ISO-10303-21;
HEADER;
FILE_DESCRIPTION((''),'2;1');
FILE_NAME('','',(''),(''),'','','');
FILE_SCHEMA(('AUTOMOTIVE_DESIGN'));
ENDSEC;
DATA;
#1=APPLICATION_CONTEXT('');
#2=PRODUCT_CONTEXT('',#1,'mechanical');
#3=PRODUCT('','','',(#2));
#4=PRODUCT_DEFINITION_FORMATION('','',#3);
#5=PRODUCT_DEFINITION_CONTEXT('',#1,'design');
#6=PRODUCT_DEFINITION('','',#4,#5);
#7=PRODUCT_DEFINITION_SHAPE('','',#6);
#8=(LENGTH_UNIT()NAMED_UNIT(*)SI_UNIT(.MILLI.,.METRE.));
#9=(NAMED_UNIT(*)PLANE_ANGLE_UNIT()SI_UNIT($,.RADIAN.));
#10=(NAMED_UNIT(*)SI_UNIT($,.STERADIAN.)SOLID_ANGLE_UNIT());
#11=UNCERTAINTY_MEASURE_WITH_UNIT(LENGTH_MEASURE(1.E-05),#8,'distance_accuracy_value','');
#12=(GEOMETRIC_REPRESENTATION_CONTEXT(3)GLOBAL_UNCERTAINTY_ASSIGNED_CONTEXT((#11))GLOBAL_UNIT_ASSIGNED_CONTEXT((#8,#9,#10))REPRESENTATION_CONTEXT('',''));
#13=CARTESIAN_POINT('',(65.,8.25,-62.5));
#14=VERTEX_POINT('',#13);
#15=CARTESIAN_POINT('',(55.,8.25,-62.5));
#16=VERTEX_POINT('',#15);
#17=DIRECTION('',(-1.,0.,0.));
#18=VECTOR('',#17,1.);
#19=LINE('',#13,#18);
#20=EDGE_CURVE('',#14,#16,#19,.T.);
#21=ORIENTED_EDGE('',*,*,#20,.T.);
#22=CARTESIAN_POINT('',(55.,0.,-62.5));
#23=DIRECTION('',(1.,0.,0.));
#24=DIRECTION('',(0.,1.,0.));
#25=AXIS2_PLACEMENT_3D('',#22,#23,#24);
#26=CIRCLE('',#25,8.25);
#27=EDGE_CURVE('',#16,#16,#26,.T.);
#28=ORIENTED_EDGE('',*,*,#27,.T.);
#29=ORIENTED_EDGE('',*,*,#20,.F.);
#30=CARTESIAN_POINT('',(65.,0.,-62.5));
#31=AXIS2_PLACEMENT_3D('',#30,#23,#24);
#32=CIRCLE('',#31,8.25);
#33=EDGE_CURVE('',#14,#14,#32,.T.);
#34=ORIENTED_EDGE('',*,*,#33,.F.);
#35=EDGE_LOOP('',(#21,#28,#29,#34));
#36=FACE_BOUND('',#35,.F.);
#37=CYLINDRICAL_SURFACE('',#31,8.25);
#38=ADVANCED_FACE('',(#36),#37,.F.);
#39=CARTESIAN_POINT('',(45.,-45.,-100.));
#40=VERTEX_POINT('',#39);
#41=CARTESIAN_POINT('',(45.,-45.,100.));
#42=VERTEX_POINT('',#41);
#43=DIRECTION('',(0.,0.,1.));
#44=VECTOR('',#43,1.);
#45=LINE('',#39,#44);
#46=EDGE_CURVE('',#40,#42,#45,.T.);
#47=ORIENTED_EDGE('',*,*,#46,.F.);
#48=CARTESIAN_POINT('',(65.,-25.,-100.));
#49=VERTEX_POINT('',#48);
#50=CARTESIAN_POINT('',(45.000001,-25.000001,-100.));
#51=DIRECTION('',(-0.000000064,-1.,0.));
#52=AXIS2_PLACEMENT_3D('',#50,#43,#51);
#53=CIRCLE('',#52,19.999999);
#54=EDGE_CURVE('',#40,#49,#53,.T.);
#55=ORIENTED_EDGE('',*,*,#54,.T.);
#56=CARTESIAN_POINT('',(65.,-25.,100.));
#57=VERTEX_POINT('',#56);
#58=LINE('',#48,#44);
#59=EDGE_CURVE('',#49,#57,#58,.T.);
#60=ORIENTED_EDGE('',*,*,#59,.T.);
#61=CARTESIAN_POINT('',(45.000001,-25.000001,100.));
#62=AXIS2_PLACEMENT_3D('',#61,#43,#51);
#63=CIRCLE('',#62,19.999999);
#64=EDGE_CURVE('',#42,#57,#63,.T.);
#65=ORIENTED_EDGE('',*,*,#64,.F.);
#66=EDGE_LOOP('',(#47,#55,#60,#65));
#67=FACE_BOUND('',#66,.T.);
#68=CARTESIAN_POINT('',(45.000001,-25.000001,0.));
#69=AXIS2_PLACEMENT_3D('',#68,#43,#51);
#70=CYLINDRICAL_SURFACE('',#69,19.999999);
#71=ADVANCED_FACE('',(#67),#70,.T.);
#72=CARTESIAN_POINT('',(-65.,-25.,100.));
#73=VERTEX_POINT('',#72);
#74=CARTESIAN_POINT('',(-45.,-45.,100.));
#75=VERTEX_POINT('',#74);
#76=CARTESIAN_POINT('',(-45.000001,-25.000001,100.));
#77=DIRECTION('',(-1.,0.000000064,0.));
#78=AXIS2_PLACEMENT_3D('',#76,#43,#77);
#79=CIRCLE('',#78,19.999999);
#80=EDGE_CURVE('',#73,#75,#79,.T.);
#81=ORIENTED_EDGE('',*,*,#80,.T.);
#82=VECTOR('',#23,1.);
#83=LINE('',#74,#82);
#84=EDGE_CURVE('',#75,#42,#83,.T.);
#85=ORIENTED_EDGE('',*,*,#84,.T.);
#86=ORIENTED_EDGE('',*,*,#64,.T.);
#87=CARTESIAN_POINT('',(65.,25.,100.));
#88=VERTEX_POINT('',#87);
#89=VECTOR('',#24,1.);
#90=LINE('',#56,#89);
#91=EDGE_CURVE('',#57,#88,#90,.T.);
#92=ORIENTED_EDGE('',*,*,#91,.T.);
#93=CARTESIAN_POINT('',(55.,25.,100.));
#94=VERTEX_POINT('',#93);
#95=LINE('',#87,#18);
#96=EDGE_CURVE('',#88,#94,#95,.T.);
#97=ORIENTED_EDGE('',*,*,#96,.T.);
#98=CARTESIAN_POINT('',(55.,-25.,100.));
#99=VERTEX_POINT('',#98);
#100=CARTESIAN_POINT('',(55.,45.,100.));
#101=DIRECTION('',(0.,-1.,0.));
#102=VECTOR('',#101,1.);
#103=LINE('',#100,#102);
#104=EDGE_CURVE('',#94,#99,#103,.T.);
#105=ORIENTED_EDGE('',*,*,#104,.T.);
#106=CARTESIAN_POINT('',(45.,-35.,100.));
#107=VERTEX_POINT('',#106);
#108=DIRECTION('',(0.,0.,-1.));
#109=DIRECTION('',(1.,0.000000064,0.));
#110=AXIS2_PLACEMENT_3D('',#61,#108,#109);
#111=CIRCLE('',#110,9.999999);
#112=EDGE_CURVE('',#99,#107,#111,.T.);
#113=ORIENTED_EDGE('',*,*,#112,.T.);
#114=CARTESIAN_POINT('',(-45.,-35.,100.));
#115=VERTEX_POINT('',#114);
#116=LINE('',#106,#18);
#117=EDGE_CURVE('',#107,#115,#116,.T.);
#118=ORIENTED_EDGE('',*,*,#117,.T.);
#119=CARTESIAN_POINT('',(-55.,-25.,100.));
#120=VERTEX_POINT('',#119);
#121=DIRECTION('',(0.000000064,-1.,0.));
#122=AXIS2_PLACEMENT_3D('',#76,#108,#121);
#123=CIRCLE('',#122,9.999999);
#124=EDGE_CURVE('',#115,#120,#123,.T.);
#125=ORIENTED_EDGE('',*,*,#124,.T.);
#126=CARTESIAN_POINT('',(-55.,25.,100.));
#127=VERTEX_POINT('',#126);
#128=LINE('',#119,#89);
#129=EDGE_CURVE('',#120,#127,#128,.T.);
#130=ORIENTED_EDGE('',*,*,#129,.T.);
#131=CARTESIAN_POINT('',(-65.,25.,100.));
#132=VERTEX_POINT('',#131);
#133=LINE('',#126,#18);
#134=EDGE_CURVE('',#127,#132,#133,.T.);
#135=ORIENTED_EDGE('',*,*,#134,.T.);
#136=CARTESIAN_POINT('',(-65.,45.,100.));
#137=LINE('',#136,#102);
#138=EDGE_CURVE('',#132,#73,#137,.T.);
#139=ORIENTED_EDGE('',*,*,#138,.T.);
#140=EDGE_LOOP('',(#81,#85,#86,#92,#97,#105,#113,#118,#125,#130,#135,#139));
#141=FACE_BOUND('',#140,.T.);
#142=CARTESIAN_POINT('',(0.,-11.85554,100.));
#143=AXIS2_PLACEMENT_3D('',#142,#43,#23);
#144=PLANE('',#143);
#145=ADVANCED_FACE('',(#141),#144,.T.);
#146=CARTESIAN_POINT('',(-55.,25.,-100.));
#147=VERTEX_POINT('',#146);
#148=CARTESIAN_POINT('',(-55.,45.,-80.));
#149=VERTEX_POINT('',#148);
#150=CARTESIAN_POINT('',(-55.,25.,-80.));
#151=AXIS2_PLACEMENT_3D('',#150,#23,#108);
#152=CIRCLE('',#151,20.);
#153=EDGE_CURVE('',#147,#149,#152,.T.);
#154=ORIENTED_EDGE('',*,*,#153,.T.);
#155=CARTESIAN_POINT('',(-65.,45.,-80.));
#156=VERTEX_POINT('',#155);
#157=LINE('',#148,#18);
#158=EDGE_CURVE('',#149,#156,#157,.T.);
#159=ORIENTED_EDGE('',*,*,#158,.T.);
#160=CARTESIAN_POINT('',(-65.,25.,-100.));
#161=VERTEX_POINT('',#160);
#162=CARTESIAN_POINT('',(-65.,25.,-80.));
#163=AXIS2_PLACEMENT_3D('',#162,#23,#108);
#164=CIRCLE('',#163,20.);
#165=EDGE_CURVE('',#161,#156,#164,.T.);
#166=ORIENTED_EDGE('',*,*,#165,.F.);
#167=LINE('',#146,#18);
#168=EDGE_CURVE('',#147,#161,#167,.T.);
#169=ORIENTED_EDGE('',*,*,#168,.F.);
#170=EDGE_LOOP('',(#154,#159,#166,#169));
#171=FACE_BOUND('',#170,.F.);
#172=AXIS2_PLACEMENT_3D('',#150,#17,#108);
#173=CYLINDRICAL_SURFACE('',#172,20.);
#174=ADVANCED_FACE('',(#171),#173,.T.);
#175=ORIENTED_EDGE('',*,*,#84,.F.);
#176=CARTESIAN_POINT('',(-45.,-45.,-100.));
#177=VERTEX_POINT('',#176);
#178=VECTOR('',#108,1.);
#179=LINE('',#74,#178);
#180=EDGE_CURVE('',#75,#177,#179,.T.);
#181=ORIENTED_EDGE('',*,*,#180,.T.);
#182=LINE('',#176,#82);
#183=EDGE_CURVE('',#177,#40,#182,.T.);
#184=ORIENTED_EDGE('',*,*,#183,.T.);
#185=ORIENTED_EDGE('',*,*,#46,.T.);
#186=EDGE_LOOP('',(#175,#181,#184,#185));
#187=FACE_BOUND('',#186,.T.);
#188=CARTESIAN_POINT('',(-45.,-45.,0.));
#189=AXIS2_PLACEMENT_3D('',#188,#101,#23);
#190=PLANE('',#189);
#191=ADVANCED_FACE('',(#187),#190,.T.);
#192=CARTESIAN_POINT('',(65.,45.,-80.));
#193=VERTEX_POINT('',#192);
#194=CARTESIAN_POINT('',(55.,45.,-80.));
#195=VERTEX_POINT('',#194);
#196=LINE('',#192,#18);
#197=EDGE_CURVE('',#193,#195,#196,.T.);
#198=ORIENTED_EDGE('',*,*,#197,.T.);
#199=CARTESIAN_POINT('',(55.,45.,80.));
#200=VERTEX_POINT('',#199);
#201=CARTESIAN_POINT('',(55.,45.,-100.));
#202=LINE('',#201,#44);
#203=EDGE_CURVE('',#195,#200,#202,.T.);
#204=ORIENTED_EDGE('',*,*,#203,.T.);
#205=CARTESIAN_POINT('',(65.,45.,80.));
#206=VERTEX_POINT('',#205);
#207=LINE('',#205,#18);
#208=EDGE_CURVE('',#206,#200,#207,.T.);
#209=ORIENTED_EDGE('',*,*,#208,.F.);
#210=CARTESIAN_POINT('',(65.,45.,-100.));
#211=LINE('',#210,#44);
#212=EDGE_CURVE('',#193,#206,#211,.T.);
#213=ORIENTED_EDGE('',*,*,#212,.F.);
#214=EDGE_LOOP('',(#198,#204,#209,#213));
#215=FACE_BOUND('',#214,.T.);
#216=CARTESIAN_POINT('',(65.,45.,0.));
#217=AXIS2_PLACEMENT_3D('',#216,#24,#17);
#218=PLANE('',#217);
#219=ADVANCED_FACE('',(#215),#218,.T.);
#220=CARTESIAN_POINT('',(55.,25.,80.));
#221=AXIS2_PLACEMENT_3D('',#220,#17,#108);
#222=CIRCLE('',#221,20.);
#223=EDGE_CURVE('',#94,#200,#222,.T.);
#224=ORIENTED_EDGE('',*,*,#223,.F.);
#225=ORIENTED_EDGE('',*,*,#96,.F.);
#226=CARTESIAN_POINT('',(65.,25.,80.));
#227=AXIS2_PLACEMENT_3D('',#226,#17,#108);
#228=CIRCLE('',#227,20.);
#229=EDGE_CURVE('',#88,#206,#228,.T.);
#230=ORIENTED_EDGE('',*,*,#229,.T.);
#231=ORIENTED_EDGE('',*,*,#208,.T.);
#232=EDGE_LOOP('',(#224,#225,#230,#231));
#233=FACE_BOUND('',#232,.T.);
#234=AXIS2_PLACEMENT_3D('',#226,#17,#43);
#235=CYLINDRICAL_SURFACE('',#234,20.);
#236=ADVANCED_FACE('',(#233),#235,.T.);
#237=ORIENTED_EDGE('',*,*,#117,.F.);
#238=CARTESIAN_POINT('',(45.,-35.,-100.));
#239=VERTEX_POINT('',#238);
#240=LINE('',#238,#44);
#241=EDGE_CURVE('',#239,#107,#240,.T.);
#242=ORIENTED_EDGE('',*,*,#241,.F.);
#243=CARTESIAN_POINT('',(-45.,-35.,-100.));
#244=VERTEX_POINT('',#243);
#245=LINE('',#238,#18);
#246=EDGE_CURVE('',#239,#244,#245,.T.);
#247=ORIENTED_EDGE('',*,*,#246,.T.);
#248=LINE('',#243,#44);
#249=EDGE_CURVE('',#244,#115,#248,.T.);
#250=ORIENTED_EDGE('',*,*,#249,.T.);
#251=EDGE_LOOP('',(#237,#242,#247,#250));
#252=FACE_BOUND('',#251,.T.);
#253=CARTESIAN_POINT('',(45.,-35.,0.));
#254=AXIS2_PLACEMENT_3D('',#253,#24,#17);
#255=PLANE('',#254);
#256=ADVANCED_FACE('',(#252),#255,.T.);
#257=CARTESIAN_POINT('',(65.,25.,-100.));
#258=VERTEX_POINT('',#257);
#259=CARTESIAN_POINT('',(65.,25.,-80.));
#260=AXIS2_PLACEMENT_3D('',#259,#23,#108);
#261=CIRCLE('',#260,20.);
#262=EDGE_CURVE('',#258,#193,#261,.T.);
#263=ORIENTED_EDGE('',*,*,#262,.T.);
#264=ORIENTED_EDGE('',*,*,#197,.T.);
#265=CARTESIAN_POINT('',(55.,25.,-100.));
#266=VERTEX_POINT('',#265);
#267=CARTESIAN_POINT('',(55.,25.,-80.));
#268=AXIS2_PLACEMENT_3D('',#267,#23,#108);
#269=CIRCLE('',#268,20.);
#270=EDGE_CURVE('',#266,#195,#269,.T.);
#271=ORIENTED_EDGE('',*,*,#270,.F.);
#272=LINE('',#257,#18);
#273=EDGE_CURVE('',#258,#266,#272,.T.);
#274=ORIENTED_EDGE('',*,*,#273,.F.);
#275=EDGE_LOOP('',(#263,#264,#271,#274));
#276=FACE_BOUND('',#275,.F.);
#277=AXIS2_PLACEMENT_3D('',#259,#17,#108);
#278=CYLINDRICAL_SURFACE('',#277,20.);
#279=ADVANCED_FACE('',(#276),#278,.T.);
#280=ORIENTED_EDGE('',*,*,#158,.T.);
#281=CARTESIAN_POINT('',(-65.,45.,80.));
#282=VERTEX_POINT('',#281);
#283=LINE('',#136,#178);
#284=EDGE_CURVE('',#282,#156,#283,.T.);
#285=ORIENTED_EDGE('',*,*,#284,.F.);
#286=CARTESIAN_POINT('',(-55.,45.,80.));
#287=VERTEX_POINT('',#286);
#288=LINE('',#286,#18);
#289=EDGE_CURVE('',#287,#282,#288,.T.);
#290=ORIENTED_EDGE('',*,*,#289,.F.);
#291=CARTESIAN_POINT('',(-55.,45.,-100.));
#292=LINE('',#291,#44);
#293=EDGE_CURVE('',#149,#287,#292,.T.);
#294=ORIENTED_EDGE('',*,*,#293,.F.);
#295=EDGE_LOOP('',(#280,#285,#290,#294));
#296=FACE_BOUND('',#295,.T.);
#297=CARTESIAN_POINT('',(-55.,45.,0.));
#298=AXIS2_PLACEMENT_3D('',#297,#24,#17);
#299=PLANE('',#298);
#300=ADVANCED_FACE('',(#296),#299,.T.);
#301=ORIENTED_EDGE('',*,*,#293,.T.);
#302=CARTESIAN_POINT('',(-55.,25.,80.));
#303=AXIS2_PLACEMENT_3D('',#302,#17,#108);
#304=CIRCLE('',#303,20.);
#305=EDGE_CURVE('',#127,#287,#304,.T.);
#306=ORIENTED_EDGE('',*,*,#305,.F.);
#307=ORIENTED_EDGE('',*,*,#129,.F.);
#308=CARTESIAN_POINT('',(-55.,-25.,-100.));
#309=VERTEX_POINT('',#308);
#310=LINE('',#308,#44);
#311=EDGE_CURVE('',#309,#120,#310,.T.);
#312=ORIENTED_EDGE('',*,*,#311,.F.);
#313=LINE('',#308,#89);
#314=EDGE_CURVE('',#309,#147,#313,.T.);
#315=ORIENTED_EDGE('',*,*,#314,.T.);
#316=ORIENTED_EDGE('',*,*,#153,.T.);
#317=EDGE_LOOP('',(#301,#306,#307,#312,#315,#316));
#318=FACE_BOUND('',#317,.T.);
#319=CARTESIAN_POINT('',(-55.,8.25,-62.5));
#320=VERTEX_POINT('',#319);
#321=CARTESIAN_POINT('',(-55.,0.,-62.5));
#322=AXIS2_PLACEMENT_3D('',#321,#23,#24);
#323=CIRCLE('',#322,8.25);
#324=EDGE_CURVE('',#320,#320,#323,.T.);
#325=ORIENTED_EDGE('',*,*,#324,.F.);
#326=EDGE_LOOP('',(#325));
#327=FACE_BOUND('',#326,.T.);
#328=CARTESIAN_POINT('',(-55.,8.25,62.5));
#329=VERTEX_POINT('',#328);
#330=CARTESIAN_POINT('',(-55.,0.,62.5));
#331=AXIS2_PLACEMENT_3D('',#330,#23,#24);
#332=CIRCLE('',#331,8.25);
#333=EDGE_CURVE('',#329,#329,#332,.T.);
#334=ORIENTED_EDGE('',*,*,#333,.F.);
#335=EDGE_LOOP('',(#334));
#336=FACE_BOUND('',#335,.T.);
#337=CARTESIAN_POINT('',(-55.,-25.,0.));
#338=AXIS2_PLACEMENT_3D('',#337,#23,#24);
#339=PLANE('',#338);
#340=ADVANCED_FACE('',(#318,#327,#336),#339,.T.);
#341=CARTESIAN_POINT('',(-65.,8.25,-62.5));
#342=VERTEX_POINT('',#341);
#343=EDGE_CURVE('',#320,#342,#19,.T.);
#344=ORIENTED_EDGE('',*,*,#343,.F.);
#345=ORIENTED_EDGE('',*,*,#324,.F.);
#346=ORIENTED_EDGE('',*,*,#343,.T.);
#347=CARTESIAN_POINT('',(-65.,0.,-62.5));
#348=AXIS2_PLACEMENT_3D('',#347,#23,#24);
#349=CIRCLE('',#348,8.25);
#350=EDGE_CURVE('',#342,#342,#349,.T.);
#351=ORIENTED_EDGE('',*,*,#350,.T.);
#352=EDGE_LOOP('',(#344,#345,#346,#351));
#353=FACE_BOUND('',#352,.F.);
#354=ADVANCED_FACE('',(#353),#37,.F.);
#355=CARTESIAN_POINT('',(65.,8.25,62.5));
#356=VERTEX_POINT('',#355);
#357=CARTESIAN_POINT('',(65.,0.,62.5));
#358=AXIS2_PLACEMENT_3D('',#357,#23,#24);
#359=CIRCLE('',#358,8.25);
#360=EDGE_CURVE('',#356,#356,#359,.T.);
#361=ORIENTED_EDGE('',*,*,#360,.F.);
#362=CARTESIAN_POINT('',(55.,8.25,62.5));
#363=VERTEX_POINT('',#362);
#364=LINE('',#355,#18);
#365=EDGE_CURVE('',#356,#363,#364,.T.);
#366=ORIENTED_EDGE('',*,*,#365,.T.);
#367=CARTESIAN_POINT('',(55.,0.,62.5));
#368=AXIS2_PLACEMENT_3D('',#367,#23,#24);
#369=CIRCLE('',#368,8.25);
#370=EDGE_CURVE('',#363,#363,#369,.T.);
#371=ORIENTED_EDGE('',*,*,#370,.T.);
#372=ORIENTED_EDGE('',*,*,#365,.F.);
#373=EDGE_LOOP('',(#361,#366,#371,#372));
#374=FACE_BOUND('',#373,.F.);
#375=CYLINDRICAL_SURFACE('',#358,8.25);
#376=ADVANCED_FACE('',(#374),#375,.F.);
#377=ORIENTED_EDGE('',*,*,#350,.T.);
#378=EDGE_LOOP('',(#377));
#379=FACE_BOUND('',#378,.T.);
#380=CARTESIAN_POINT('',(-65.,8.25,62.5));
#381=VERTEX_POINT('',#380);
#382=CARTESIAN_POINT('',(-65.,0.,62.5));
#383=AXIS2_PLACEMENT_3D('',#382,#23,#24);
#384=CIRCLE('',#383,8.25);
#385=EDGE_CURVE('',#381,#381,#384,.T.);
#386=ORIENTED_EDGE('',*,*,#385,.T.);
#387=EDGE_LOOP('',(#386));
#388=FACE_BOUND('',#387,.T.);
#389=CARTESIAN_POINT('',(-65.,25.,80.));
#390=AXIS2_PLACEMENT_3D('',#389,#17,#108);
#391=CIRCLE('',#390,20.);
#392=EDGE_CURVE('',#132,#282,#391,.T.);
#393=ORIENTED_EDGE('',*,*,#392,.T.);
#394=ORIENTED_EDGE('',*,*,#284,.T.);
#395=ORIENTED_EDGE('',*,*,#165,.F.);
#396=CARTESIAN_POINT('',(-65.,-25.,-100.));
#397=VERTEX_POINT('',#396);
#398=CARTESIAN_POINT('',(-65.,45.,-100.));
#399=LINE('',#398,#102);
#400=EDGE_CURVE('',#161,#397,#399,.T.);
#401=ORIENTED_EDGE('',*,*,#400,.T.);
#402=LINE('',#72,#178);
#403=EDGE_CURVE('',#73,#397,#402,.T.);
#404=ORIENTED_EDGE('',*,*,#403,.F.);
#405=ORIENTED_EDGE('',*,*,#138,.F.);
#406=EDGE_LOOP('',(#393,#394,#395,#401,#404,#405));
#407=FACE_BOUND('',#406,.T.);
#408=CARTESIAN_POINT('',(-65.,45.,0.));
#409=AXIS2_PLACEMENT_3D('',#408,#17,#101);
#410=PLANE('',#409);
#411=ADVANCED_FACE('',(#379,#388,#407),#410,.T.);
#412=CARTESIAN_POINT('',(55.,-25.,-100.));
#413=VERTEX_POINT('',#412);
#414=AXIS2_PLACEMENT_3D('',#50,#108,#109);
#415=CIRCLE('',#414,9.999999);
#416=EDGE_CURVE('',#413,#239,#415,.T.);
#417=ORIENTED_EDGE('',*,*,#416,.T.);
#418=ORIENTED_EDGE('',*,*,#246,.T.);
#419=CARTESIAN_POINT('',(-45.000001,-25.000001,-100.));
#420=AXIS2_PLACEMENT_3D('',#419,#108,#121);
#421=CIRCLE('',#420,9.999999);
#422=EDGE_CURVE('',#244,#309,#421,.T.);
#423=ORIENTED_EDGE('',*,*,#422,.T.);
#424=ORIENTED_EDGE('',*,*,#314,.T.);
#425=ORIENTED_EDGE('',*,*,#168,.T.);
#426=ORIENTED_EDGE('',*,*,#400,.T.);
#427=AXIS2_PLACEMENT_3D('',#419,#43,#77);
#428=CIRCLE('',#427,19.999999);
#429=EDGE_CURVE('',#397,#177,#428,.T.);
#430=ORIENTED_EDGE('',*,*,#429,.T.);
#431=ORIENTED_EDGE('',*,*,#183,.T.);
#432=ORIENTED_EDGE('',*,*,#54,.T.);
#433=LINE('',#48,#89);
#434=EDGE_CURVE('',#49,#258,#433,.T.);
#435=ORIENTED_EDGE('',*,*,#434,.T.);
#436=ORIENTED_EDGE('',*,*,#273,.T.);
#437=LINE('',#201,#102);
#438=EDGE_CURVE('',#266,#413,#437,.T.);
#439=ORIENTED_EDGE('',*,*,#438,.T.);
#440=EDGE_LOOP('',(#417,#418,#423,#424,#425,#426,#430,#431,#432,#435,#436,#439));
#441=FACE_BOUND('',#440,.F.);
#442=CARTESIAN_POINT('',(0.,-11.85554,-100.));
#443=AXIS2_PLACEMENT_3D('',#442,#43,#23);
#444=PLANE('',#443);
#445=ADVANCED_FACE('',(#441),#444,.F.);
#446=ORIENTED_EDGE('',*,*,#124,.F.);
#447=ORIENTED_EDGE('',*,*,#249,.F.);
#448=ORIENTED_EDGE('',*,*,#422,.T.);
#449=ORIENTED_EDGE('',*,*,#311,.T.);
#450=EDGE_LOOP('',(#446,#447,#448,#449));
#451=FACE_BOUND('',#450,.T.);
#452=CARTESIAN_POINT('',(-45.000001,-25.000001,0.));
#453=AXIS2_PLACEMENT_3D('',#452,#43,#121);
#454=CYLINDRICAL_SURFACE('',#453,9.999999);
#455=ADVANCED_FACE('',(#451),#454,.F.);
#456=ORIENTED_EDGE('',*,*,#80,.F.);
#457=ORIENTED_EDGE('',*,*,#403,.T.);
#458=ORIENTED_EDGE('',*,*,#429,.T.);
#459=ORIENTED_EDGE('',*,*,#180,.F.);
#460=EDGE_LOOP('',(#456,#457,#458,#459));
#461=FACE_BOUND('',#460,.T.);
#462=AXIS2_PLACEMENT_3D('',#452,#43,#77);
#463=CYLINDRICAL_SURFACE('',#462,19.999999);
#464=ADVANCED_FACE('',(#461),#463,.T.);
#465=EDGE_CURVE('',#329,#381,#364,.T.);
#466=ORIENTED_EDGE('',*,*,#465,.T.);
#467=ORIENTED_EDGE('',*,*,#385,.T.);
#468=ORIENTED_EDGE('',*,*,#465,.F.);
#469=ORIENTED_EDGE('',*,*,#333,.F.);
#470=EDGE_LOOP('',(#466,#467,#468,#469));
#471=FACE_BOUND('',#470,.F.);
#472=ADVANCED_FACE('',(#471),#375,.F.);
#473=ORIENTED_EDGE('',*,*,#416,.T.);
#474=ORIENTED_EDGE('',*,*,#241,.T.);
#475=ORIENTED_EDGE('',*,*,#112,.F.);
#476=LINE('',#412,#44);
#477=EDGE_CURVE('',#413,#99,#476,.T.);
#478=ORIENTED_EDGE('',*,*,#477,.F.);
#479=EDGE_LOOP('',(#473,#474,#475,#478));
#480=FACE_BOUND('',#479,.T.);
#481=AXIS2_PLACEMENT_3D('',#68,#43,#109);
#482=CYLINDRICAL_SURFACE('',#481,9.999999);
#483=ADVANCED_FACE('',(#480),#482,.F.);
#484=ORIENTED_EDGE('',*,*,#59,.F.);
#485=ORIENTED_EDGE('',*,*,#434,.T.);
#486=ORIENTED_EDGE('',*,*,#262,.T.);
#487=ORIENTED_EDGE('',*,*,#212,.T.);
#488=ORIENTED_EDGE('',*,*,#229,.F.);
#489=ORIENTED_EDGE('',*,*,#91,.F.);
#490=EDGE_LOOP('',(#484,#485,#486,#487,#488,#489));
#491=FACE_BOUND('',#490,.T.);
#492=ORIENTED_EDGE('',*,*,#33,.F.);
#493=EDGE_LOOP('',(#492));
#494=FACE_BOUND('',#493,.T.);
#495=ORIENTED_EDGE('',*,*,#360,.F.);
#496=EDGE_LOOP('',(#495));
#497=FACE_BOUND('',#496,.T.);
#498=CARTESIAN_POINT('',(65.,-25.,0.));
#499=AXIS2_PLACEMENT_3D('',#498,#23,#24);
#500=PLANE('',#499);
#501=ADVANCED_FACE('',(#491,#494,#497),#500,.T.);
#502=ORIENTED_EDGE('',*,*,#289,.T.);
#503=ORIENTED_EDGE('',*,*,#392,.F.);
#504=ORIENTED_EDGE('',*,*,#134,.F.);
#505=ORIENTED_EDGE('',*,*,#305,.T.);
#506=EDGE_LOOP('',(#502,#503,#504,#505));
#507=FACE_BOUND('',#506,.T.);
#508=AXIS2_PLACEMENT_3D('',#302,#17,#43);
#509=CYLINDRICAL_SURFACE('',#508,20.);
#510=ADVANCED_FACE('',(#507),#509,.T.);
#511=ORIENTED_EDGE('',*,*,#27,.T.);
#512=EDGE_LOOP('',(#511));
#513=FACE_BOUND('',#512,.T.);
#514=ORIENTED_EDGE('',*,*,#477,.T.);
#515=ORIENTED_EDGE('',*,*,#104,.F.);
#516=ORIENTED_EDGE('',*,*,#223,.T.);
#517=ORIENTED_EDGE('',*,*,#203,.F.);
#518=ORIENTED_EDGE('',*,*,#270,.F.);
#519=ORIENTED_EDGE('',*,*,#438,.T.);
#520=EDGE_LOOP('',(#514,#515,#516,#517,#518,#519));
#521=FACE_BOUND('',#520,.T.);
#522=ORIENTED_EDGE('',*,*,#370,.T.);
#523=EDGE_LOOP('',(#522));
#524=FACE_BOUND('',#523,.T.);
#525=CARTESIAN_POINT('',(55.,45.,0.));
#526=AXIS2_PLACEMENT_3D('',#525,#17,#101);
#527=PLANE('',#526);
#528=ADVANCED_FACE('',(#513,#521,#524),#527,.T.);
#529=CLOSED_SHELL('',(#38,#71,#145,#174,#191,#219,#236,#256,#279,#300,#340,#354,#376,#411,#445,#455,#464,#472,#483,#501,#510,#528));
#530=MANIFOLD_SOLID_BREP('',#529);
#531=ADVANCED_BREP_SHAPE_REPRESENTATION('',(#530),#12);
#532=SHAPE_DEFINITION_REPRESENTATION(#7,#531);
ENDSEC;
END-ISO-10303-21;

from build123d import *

# Parameters (mm, degrees)
F1_DEPTH = 100
F2_R     = 8.25
F3_DEPTH = 130.001
F4_R     = 20


with BuildPart() as f1:
    # F0 (on Top) → F1 (new body, symmetric)
    with BuildSketch(Plane.XY):
        with BuildLine():
            Line((-45, -45), (45, -45))
            ThreePointArc((45, -45), (59.142136, -39.142136), (65, -25))
            Line((65, -25), (65, 45))
            Line((65, 45), (55, 45))
            Line((55, 45), (55, -25))
            ThreePointArc((55, -25), (52.071068, -32.071068), (45, -35))
            Line((45, -35), (-45, -35))
            ThreePointArc((-45, -35), (-52.071068, -32.071068), (-55, -25))
            Line((-55, -25), (-55, 45))
            Line((-55, 45), (-65, 45))
            Line((-65, 45), (-65, -25))
            ThreePointArc((-65, -25), (-59.142136, -39.142136), (-45, -45))
        make_face()
    extrude(amount=F1_DEPTH, both=True)

    # F2 (on face) → F3 (cut, through all)
    with BuildSketch(Plane.YZ.offset(65)):
        with Locations((0, 62.5)):
            Circle(F2_R)
        with Locations((0, -62.5)):
            Circle(F2_R)
    extrude(amount=-F3_DEPTH, mode=Mode.SUBTRACT)

    # F4
    f4_edges = [f1.edges().sort_by_distance(p)[0] for p in [
        (60, 45, 100),
        (-60, 45, 100),
        (-60, 45, -100),
        (60, 45, -100),
    ]]
    fillet(f4_edges, radius=F4_R)


solid = f1.part
